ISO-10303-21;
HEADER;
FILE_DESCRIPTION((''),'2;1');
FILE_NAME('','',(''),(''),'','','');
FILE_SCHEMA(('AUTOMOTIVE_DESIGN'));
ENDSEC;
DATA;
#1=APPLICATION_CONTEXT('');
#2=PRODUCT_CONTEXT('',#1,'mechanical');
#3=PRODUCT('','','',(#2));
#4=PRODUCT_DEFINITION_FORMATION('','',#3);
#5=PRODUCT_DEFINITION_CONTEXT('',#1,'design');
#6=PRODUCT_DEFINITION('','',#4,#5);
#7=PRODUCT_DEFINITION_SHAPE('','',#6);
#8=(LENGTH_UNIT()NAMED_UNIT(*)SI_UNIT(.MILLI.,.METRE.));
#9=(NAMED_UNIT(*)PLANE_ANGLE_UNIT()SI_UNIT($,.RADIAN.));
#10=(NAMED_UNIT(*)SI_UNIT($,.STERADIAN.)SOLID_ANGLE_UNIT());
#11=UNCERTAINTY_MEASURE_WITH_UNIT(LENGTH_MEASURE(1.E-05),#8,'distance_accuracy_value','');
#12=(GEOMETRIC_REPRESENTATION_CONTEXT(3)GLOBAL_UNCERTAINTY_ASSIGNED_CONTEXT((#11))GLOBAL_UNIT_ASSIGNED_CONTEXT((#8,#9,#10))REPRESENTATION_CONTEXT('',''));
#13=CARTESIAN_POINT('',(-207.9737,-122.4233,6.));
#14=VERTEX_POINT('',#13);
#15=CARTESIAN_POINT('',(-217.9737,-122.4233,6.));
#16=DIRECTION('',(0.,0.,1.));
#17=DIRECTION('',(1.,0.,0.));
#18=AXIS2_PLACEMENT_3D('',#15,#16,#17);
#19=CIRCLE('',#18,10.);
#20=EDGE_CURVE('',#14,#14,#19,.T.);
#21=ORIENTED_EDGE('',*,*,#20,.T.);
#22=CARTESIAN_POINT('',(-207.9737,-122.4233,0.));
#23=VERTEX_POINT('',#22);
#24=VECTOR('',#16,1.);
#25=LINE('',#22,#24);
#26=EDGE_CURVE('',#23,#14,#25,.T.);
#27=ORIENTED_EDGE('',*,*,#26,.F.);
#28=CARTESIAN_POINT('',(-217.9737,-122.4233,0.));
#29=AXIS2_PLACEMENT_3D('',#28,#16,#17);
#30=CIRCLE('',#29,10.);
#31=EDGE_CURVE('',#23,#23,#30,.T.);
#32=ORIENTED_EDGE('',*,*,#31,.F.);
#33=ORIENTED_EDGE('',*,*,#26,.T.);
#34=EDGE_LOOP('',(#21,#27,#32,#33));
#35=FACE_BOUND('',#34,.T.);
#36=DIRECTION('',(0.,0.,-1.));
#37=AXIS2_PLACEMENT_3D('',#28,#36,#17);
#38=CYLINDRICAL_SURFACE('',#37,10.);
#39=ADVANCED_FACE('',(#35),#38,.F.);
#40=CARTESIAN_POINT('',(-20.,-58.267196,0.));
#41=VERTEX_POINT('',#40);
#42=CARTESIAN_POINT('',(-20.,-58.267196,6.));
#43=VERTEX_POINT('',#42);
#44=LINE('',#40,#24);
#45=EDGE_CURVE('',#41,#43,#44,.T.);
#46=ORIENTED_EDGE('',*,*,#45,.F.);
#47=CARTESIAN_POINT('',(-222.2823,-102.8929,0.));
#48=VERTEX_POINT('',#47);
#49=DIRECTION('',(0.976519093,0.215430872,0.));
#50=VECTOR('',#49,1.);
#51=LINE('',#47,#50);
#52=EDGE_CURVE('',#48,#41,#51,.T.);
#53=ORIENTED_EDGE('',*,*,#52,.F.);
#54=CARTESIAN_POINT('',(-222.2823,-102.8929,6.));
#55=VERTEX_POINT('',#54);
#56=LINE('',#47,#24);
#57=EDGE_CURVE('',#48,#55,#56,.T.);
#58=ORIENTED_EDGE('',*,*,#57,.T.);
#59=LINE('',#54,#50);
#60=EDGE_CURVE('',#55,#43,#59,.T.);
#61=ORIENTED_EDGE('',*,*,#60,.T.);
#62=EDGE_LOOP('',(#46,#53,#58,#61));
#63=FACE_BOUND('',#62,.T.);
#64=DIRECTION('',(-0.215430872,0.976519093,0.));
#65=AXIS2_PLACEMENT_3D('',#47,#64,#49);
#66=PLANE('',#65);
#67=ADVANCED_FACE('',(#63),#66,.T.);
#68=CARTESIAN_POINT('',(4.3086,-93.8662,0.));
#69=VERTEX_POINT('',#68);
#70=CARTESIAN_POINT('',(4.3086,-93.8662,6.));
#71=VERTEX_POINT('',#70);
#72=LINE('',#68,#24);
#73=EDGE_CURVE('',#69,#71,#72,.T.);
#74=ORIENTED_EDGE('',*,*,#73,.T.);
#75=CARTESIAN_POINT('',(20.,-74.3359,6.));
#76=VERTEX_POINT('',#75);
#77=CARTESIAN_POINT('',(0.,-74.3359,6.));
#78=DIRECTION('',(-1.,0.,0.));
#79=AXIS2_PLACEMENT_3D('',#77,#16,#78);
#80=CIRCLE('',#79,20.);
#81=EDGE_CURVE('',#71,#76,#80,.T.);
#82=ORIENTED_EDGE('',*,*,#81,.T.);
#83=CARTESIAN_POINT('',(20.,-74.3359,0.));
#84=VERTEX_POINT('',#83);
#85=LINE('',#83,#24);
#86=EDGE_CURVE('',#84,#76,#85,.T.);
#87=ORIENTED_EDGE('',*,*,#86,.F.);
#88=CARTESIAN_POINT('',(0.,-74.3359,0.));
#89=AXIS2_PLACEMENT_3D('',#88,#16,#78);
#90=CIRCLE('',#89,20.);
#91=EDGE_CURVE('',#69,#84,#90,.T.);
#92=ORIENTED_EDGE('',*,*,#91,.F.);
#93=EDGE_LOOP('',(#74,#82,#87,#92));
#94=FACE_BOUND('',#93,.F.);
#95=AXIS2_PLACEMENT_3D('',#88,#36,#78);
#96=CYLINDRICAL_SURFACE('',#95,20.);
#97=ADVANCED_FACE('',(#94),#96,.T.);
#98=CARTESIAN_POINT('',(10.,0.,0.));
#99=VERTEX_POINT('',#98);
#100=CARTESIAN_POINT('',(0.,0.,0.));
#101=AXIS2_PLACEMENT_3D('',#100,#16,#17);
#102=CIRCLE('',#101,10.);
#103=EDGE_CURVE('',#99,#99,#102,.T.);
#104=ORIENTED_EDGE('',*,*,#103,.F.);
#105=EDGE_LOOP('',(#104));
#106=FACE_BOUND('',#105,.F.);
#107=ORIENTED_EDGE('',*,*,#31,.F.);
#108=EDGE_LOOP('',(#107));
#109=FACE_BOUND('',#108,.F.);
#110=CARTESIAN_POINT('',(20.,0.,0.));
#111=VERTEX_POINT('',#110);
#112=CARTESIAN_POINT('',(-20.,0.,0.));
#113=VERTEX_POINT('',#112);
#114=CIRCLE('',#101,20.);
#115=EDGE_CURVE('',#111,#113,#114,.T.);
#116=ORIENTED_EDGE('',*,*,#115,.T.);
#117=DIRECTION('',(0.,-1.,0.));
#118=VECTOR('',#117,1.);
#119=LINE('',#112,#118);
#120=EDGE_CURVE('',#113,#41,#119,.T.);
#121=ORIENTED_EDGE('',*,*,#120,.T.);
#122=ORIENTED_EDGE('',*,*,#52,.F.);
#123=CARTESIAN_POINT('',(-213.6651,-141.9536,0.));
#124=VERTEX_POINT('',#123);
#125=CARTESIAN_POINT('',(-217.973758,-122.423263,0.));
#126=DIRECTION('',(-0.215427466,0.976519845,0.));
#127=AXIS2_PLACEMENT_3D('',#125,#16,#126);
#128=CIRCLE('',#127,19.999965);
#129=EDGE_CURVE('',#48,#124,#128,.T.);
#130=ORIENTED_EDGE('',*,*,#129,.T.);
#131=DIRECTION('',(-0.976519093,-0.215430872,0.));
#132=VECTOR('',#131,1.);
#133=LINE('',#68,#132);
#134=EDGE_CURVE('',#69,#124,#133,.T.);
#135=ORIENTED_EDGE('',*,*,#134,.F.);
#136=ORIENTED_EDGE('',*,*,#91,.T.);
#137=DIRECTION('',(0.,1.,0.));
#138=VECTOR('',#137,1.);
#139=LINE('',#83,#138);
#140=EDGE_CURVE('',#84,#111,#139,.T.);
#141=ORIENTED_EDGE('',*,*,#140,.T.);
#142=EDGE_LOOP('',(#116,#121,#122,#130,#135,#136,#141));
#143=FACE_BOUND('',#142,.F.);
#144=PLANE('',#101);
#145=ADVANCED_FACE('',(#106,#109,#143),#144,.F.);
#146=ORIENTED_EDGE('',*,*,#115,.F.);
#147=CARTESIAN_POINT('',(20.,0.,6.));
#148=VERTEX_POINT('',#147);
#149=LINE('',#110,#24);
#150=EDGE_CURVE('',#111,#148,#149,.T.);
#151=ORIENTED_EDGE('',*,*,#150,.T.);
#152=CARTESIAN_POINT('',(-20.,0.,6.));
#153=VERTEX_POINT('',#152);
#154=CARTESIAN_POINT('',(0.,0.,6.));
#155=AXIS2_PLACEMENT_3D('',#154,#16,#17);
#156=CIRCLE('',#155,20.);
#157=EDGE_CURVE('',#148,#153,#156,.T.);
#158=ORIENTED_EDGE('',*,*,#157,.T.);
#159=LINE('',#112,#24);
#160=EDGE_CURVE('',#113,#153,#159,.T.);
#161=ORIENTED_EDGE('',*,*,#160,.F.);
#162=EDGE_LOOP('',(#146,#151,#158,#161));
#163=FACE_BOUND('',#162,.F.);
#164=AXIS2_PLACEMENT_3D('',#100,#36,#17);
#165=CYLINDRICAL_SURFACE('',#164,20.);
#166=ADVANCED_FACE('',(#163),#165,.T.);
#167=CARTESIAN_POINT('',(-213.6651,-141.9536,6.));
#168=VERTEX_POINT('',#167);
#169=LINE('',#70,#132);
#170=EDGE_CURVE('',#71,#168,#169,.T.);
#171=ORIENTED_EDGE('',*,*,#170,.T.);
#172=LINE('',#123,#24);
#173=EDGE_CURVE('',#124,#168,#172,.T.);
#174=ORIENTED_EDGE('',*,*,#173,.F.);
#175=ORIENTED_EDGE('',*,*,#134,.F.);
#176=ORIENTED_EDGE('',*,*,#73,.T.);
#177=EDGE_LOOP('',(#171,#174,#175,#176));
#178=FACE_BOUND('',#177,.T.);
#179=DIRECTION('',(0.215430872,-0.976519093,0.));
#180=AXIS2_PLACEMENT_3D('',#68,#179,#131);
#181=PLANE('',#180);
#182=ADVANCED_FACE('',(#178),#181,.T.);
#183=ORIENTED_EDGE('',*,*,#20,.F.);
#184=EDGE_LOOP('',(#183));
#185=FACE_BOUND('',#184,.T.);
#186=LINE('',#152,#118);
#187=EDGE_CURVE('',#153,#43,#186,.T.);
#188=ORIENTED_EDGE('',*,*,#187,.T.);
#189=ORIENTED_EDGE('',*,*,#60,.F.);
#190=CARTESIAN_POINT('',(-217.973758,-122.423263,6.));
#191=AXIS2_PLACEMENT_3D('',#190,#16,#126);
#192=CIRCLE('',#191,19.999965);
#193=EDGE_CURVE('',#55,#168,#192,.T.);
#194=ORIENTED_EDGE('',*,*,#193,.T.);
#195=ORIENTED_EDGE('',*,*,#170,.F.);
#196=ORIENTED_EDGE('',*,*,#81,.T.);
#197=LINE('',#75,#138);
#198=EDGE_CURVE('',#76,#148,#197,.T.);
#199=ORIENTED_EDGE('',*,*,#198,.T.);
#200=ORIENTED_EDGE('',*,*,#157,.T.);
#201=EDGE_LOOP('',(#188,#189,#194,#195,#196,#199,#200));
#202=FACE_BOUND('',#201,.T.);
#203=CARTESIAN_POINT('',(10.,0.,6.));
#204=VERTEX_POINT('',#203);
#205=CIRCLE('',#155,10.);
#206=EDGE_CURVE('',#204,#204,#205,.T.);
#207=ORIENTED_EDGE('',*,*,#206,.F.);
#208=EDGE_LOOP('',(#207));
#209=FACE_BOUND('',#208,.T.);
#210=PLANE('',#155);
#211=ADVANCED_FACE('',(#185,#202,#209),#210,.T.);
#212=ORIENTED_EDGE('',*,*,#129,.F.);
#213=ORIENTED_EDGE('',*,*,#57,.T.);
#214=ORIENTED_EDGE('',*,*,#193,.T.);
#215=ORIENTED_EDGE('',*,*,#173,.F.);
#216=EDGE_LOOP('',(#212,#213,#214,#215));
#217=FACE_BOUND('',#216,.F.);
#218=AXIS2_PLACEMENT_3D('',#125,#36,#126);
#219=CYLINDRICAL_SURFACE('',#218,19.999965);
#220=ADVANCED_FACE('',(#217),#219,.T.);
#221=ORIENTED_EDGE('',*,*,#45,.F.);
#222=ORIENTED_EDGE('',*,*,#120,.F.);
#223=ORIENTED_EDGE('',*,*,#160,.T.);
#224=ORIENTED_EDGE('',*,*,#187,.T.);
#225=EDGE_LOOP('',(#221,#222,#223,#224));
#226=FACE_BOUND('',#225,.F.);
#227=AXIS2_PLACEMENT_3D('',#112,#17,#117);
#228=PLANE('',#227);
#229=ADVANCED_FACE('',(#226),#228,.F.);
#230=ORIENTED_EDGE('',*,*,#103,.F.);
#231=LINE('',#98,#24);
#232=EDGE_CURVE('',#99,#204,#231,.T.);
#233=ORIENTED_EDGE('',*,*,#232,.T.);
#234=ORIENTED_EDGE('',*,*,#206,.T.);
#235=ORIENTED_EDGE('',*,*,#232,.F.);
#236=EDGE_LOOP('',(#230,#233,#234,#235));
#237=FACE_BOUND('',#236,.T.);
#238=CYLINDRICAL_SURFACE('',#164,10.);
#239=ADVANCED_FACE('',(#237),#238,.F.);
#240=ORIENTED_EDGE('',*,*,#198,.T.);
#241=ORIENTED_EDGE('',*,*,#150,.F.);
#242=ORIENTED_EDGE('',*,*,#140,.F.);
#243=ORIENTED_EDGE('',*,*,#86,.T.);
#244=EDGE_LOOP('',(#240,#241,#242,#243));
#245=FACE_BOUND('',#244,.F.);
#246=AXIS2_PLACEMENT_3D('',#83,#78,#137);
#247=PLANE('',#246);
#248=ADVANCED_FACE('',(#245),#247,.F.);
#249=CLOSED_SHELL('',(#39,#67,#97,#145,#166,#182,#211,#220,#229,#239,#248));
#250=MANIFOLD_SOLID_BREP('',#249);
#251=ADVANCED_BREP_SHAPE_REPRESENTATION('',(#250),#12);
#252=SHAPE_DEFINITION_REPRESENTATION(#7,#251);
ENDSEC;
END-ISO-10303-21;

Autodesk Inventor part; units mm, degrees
ref_plane "YZ Plane" through (0, 0, 0) normal (1, 0, 0) x (0, 1, 0)
ref_plane "XZ Plane" through (0, 0, 0) normal (0, 1, 0) x (-1, 0, 0)
ref_plane "XY Plane" through (0, 0, 0) normal (0, 0, 1) x (1, 0, 0)
sketch "Sketch1" plane through (0, 0, 0) normal (0, 0, 1) x (1, 0, 0)
  circle A0 centre (0, 0) radius 10
  circle A1 centre (-217.9737, -122.4233) radius 10
  line L0 (0, 0) -> (0, -74.3359) construction
  line L1 (-20, 0) -> (-20, -74.3359)
  line L2 (20, -74.3359) -> (20, 0)
  arc A2 (20, 0) -> (-20, 0) centre (0, 0) ccw
  arc A3 (-20, -74.3359) -> (20, -74.3359) centre (0, -74.3359) ccw
  line L3 (0, -74.3359) -> (-217.9737, -122.4233) construction
  line L4 (4.3086, -93.8662) -> (-213.6651, -141.9536)
  line L5 (-222.2823, -102.8929) -> (-4.3086, -54.8055)
  arc A4 (4.3086, -93.8662) -> (-4.3086, -54.8055) centre (0, -74.3359) ccw
  arc A5 (-222.2823, -102.8929) -> (-213.6651, -141.9536) centre (-217.9737, -122.4233) ccw
  point P0 (0, -37.1679)
  point P1 (-108.9869, -98.3796)
  dimension "d1" = 20
  dimension "d6" = 40
extrude "Extrusion1" add sketch "Sketch1" along normal blind 6
properties part number "Barra estabilizadora de ascenso"
